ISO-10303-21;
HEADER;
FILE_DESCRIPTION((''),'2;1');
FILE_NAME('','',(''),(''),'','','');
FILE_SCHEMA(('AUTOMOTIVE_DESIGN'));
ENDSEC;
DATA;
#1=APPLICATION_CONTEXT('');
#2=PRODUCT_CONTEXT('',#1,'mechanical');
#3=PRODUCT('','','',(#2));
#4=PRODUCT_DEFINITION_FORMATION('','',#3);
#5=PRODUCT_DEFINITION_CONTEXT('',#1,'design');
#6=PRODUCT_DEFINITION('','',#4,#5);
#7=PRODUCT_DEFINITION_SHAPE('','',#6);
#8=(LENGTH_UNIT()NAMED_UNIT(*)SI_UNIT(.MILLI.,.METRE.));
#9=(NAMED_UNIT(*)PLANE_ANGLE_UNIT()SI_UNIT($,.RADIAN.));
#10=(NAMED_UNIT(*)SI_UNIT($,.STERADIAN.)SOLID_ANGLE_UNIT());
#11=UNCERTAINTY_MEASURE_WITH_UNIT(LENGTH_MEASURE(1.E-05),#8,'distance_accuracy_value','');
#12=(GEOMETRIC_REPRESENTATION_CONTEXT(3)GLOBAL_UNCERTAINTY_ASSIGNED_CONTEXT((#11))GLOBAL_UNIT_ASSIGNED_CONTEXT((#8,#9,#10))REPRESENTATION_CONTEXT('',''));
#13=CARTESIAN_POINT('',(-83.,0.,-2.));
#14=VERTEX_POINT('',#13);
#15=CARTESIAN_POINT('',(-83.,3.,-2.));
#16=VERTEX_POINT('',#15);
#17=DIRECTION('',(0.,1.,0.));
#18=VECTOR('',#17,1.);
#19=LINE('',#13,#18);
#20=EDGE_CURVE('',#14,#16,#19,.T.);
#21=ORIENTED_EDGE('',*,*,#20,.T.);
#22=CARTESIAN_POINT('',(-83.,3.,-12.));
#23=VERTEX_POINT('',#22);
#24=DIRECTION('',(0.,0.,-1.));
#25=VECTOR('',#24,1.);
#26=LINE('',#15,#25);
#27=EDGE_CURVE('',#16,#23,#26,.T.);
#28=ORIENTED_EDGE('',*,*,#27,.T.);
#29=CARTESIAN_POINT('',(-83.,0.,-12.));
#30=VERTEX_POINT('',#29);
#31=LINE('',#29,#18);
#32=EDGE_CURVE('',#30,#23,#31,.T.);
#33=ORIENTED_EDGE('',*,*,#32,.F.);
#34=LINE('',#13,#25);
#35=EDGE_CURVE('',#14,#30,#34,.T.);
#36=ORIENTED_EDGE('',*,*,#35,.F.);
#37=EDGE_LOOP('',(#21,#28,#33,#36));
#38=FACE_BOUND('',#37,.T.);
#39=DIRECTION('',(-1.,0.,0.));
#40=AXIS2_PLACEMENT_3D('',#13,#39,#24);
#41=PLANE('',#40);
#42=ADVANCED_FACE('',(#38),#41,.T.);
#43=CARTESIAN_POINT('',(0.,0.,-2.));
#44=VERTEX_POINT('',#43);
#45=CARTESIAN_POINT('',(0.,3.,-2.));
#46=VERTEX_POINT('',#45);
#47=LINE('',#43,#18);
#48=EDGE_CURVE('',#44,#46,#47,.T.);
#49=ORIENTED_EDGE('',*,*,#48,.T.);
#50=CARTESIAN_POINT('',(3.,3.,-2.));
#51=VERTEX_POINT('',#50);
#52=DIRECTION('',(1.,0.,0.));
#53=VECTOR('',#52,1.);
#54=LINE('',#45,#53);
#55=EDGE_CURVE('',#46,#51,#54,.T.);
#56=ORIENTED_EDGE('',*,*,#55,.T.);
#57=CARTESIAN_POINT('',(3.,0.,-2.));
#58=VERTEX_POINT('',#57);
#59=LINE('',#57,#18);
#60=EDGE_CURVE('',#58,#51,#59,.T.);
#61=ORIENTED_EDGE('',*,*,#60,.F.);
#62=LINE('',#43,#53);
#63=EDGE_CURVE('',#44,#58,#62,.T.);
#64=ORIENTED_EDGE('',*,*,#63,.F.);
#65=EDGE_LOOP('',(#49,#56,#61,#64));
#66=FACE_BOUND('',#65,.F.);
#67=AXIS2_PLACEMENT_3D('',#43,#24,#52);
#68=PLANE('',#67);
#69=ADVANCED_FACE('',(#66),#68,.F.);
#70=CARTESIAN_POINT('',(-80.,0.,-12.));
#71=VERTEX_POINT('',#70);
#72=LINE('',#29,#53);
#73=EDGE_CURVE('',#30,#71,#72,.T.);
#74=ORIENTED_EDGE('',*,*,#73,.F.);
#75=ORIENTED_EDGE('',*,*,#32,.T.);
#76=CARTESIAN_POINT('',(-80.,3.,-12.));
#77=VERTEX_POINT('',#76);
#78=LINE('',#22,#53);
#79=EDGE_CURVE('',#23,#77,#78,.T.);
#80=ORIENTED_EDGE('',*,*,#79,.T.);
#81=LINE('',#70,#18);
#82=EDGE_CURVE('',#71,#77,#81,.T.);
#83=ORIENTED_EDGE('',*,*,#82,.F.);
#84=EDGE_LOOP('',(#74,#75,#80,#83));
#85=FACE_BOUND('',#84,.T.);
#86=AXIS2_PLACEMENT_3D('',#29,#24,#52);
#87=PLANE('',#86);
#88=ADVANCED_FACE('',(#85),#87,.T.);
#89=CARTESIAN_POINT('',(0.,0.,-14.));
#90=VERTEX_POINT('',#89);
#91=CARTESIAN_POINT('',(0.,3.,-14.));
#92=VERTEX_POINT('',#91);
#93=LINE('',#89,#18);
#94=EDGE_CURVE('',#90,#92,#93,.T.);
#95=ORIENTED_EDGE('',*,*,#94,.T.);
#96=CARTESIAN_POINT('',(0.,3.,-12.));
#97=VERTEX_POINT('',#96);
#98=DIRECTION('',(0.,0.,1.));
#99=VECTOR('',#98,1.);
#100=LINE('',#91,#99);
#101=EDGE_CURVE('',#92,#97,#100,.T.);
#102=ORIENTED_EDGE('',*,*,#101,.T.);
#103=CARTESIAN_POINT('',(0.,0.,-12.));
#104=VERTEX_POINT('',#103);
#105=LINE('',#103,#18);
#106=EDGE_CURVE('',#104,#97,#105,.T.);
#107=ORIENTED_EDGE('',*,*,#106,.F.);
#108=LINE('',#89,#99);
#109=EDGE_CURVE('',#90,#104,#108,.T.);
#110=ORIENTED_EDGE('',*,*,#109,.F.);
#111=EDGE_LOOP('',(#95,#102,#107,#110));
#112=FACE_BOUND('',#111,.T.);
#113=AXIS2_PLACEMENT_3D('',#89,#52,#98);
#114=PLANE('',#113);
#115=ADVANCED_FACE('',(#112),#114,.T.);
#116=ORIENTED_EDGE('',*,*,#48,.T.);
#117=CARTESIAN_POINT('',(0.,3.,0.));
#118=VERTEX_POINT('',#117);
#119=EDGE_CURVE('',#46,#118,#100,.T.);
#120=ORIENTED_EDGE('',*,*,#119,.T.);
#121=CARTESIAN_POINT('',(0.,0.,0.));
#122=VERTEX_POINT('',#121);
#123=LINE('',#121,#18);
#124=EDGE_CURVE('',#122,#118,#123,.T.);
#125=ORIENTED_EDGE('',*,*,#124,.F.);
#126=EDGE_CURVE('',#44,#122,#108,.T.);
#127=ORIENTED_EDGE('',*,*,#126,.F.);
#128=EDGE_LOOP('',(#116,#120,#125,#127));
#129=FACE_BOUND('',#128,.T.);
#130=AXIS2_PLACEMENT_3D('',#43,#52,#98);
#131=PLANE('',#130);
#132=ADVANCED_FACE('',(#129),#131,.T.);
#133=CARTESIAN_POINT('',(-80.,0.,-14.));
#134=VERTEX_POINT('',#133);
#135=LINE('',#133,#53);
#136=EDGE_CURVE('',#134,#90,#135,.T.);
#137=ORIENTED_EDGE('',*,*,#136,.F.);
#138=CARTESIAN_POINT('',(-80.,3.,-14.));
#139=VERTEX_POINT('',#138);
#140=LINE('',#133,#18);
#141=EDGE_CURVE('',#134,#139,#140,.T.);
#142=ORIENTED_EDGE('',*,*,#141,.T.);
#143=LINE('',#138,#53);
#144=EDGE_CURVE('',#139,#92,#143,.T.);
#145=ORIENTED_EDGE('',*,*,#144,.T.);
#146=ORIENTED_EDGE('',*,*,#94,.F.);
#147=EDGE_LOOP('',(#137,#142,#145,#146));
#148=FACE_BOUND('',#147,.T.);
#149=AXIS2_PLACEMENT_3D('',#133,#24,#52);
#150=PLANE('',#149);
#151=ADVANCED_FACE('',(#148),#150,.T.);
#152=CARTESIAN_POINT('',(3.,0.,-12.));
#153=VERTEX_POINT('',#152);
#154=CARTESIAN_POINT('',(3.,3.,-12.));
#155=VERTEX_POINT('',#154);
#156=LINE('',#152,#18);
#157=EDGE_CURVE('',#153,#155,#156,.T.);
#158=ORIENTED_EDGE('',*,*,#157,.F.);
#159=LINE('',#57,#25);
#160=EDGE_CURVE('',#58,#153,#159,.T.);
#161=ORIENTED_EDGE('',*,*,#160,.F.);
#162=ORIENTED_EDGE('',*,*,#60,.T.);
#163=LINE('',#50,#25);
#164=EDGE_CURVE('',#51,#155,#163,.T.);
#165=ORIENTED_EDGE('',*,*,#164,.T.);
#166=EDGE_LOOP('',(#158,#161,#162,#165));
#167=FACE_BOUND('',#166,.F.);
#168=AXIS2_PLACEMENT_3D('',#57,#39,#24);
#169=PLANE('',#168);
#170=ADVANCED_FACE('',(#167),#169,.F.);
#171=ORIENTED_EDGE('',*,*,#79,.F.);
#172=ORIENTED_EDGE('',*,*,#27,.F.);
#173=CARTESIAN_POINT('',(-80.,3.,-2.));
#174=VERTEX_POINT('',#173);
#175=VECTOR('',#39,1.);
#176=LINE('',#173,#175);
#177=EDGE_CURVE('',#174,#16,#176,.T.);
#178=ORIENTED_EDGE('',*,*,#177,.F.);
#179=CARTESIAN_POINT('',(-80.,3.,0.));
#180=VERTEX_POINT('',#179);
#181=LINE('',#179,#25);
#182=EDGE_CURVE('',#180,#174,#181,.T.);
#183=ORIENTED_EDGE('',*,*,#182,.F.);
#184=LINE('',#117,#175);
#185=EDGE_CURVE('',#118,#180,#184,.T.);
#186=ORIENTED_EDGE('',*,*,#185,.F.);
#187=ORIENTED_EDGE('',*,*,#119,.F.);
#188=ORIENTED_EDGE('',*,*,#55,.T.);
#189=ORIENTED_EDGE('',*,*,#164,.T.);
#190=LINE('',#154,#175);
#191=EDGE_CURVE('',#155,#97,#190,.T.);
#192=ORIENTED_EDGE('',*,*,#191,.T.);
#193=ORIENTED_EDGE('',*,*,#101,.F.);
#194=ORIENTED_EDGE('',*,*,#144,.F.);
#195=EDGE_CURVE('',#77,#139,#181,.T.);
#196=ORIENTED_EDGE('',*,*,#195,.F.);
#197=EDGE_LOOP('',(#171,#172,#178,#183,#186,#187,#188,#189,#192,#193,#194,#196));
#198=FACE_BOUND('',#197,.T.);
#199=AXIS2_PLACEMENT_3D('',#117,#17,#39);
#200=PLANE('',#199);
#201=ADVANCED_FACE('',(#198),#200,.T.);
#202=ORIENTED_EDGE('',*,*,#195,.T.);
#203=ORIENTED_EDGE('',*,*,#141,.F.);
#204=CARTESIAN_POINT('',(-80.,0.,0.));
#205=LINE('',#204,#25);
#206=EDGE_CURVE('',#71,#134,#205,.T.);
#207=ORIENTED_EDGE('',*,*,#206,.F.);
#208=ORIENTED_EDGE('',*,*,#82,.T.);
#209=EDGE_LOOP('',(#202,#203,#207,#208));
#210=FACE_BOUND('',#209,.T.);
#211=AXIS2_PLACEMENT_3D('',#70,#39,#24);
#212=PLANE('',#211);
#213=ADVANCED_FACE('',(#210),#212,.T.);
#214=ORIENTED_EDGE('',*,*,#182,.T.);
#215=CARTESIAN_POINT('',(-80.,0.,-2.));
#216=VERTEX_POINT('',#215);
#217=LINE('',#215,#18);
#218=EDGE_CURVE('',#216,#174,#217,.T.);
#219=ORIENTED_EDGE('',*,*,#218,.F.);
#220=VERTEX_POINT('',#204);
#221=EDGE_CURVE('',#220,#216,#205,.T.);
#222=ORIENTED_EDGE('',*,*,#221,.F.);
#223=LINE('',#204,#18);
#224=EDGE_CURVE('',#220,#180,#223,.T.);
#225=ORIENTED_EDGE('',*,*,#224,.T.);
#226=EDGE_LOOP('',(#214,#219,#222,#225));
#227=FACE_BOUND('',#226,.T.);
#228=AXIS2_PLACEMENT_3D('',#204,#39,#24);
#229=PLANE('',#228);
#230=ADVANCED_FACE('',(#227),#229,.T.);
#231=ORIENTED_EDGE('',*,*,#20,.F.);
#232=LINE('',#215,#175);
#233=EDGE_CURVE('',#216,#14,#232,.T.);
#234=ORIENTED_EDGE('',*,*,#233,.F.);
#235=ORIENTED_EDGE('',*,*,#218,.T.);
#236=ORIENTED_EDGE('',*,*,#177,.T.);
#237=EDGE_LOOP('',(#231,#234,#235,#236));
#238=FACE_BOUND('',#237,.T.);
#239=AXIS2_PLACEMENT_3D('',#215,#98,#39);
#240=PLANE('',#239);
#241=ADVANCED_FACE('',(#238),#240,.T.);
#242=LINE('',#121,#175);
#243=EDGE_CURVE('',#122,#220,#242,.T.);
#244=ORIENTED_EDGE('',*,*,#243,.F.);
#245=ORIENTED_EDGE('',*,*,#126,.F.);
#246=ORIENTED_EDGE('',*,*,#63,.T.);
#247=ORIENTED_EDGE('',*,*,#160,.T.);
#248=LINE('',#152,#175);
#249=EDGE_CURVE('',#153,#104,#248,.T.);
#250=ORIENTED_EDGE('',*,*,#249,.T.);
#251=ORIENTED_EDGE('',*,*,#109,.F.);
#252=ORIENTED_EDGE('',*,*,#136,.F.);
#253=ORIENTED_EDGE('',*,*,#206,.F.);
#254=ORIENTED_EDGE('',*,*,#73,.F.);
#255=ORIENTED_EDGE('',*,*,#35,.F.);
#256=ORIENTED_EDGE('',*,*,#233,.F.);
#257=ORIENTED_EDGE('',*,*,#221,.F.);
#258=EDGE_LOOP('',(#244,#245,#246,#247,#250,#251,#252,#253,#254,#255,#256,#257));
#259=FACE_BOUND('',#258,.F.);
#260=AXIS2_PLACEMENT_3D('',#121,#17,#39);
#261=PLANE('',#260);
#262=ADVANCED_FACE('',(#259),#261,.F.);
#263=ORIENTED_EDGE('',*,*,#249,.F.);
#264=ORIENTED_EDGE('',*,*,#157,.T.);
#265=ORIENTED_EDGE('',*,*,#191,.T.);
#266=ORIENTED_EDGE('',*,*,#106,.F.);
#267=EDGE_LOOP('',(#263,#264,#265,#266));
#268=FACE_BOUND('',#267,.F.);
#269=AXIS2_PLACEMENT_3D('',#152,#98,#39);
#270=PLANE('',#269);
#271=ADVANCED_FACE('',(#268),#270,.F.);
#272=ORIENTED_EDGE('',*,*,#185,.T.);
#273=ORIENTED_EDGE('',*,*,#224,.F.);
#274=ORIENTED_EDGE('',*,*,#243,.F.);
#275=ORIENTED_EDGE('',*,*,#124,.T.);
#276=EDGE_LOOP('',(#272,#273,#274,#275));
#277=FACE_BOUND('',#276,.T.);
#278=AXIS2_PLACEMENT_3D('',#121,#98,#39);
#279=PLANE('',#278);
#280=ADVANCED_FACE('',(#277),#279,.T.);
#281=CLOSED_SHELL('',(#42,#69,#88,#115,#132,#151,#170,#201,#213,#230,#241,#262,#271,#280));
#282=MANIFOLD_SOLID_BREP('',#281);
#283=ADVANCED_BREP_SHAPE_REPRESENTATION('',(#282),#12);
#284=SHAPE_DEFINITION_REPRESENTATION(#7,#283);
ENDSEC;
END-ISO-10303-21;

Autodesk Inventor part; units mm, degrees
ref_plane "YZ Plane" through (0, 0, 0) normal (1, 0, 0) x (0, 1, 0)
ref_plane "XZ Plane" through (0, 0, 0) normal (0, 1, 0) x (-1, 0, 0)
ref_plane "XY Plane" through (0, 0, 0) normal (0, 0, 1) x (1, 0, 0)
sketch "Sketch1" plane through (0, 0, 0) normal (0, 1, 0) x (-1, 0, 0)
  line L0 (0, 0) -> (80, 0)
  line L1 (80, 0) -> (80, -14)
  line L2 (80, -14) -> (0, -14)
  line L3 (0, -14) -> (0, 0)
  line L4 (80, -2) -> (83, -2)
  line L5 (83, -2) -> (83, -12)
  line L6 (83, -12) -> (80, -12)
  line L7 (40, -14) -> (40, 0) construction
  line L8 (0, -2) -> (-3, -2)
  line L9 (-3, -2) -> (-3, -12)
  line L10 (-3, -12) -> (0, -12)
  dimension "d0" = 14
  dimension "d1" = 80
  dimension "d2" = 2
  dimension "d3" = 10
  dimension "d4" = 3
extrude "Extrusion1" add sketch "Sketch1" along normal blind 3
properties part number "soporte_base_parqueo"
